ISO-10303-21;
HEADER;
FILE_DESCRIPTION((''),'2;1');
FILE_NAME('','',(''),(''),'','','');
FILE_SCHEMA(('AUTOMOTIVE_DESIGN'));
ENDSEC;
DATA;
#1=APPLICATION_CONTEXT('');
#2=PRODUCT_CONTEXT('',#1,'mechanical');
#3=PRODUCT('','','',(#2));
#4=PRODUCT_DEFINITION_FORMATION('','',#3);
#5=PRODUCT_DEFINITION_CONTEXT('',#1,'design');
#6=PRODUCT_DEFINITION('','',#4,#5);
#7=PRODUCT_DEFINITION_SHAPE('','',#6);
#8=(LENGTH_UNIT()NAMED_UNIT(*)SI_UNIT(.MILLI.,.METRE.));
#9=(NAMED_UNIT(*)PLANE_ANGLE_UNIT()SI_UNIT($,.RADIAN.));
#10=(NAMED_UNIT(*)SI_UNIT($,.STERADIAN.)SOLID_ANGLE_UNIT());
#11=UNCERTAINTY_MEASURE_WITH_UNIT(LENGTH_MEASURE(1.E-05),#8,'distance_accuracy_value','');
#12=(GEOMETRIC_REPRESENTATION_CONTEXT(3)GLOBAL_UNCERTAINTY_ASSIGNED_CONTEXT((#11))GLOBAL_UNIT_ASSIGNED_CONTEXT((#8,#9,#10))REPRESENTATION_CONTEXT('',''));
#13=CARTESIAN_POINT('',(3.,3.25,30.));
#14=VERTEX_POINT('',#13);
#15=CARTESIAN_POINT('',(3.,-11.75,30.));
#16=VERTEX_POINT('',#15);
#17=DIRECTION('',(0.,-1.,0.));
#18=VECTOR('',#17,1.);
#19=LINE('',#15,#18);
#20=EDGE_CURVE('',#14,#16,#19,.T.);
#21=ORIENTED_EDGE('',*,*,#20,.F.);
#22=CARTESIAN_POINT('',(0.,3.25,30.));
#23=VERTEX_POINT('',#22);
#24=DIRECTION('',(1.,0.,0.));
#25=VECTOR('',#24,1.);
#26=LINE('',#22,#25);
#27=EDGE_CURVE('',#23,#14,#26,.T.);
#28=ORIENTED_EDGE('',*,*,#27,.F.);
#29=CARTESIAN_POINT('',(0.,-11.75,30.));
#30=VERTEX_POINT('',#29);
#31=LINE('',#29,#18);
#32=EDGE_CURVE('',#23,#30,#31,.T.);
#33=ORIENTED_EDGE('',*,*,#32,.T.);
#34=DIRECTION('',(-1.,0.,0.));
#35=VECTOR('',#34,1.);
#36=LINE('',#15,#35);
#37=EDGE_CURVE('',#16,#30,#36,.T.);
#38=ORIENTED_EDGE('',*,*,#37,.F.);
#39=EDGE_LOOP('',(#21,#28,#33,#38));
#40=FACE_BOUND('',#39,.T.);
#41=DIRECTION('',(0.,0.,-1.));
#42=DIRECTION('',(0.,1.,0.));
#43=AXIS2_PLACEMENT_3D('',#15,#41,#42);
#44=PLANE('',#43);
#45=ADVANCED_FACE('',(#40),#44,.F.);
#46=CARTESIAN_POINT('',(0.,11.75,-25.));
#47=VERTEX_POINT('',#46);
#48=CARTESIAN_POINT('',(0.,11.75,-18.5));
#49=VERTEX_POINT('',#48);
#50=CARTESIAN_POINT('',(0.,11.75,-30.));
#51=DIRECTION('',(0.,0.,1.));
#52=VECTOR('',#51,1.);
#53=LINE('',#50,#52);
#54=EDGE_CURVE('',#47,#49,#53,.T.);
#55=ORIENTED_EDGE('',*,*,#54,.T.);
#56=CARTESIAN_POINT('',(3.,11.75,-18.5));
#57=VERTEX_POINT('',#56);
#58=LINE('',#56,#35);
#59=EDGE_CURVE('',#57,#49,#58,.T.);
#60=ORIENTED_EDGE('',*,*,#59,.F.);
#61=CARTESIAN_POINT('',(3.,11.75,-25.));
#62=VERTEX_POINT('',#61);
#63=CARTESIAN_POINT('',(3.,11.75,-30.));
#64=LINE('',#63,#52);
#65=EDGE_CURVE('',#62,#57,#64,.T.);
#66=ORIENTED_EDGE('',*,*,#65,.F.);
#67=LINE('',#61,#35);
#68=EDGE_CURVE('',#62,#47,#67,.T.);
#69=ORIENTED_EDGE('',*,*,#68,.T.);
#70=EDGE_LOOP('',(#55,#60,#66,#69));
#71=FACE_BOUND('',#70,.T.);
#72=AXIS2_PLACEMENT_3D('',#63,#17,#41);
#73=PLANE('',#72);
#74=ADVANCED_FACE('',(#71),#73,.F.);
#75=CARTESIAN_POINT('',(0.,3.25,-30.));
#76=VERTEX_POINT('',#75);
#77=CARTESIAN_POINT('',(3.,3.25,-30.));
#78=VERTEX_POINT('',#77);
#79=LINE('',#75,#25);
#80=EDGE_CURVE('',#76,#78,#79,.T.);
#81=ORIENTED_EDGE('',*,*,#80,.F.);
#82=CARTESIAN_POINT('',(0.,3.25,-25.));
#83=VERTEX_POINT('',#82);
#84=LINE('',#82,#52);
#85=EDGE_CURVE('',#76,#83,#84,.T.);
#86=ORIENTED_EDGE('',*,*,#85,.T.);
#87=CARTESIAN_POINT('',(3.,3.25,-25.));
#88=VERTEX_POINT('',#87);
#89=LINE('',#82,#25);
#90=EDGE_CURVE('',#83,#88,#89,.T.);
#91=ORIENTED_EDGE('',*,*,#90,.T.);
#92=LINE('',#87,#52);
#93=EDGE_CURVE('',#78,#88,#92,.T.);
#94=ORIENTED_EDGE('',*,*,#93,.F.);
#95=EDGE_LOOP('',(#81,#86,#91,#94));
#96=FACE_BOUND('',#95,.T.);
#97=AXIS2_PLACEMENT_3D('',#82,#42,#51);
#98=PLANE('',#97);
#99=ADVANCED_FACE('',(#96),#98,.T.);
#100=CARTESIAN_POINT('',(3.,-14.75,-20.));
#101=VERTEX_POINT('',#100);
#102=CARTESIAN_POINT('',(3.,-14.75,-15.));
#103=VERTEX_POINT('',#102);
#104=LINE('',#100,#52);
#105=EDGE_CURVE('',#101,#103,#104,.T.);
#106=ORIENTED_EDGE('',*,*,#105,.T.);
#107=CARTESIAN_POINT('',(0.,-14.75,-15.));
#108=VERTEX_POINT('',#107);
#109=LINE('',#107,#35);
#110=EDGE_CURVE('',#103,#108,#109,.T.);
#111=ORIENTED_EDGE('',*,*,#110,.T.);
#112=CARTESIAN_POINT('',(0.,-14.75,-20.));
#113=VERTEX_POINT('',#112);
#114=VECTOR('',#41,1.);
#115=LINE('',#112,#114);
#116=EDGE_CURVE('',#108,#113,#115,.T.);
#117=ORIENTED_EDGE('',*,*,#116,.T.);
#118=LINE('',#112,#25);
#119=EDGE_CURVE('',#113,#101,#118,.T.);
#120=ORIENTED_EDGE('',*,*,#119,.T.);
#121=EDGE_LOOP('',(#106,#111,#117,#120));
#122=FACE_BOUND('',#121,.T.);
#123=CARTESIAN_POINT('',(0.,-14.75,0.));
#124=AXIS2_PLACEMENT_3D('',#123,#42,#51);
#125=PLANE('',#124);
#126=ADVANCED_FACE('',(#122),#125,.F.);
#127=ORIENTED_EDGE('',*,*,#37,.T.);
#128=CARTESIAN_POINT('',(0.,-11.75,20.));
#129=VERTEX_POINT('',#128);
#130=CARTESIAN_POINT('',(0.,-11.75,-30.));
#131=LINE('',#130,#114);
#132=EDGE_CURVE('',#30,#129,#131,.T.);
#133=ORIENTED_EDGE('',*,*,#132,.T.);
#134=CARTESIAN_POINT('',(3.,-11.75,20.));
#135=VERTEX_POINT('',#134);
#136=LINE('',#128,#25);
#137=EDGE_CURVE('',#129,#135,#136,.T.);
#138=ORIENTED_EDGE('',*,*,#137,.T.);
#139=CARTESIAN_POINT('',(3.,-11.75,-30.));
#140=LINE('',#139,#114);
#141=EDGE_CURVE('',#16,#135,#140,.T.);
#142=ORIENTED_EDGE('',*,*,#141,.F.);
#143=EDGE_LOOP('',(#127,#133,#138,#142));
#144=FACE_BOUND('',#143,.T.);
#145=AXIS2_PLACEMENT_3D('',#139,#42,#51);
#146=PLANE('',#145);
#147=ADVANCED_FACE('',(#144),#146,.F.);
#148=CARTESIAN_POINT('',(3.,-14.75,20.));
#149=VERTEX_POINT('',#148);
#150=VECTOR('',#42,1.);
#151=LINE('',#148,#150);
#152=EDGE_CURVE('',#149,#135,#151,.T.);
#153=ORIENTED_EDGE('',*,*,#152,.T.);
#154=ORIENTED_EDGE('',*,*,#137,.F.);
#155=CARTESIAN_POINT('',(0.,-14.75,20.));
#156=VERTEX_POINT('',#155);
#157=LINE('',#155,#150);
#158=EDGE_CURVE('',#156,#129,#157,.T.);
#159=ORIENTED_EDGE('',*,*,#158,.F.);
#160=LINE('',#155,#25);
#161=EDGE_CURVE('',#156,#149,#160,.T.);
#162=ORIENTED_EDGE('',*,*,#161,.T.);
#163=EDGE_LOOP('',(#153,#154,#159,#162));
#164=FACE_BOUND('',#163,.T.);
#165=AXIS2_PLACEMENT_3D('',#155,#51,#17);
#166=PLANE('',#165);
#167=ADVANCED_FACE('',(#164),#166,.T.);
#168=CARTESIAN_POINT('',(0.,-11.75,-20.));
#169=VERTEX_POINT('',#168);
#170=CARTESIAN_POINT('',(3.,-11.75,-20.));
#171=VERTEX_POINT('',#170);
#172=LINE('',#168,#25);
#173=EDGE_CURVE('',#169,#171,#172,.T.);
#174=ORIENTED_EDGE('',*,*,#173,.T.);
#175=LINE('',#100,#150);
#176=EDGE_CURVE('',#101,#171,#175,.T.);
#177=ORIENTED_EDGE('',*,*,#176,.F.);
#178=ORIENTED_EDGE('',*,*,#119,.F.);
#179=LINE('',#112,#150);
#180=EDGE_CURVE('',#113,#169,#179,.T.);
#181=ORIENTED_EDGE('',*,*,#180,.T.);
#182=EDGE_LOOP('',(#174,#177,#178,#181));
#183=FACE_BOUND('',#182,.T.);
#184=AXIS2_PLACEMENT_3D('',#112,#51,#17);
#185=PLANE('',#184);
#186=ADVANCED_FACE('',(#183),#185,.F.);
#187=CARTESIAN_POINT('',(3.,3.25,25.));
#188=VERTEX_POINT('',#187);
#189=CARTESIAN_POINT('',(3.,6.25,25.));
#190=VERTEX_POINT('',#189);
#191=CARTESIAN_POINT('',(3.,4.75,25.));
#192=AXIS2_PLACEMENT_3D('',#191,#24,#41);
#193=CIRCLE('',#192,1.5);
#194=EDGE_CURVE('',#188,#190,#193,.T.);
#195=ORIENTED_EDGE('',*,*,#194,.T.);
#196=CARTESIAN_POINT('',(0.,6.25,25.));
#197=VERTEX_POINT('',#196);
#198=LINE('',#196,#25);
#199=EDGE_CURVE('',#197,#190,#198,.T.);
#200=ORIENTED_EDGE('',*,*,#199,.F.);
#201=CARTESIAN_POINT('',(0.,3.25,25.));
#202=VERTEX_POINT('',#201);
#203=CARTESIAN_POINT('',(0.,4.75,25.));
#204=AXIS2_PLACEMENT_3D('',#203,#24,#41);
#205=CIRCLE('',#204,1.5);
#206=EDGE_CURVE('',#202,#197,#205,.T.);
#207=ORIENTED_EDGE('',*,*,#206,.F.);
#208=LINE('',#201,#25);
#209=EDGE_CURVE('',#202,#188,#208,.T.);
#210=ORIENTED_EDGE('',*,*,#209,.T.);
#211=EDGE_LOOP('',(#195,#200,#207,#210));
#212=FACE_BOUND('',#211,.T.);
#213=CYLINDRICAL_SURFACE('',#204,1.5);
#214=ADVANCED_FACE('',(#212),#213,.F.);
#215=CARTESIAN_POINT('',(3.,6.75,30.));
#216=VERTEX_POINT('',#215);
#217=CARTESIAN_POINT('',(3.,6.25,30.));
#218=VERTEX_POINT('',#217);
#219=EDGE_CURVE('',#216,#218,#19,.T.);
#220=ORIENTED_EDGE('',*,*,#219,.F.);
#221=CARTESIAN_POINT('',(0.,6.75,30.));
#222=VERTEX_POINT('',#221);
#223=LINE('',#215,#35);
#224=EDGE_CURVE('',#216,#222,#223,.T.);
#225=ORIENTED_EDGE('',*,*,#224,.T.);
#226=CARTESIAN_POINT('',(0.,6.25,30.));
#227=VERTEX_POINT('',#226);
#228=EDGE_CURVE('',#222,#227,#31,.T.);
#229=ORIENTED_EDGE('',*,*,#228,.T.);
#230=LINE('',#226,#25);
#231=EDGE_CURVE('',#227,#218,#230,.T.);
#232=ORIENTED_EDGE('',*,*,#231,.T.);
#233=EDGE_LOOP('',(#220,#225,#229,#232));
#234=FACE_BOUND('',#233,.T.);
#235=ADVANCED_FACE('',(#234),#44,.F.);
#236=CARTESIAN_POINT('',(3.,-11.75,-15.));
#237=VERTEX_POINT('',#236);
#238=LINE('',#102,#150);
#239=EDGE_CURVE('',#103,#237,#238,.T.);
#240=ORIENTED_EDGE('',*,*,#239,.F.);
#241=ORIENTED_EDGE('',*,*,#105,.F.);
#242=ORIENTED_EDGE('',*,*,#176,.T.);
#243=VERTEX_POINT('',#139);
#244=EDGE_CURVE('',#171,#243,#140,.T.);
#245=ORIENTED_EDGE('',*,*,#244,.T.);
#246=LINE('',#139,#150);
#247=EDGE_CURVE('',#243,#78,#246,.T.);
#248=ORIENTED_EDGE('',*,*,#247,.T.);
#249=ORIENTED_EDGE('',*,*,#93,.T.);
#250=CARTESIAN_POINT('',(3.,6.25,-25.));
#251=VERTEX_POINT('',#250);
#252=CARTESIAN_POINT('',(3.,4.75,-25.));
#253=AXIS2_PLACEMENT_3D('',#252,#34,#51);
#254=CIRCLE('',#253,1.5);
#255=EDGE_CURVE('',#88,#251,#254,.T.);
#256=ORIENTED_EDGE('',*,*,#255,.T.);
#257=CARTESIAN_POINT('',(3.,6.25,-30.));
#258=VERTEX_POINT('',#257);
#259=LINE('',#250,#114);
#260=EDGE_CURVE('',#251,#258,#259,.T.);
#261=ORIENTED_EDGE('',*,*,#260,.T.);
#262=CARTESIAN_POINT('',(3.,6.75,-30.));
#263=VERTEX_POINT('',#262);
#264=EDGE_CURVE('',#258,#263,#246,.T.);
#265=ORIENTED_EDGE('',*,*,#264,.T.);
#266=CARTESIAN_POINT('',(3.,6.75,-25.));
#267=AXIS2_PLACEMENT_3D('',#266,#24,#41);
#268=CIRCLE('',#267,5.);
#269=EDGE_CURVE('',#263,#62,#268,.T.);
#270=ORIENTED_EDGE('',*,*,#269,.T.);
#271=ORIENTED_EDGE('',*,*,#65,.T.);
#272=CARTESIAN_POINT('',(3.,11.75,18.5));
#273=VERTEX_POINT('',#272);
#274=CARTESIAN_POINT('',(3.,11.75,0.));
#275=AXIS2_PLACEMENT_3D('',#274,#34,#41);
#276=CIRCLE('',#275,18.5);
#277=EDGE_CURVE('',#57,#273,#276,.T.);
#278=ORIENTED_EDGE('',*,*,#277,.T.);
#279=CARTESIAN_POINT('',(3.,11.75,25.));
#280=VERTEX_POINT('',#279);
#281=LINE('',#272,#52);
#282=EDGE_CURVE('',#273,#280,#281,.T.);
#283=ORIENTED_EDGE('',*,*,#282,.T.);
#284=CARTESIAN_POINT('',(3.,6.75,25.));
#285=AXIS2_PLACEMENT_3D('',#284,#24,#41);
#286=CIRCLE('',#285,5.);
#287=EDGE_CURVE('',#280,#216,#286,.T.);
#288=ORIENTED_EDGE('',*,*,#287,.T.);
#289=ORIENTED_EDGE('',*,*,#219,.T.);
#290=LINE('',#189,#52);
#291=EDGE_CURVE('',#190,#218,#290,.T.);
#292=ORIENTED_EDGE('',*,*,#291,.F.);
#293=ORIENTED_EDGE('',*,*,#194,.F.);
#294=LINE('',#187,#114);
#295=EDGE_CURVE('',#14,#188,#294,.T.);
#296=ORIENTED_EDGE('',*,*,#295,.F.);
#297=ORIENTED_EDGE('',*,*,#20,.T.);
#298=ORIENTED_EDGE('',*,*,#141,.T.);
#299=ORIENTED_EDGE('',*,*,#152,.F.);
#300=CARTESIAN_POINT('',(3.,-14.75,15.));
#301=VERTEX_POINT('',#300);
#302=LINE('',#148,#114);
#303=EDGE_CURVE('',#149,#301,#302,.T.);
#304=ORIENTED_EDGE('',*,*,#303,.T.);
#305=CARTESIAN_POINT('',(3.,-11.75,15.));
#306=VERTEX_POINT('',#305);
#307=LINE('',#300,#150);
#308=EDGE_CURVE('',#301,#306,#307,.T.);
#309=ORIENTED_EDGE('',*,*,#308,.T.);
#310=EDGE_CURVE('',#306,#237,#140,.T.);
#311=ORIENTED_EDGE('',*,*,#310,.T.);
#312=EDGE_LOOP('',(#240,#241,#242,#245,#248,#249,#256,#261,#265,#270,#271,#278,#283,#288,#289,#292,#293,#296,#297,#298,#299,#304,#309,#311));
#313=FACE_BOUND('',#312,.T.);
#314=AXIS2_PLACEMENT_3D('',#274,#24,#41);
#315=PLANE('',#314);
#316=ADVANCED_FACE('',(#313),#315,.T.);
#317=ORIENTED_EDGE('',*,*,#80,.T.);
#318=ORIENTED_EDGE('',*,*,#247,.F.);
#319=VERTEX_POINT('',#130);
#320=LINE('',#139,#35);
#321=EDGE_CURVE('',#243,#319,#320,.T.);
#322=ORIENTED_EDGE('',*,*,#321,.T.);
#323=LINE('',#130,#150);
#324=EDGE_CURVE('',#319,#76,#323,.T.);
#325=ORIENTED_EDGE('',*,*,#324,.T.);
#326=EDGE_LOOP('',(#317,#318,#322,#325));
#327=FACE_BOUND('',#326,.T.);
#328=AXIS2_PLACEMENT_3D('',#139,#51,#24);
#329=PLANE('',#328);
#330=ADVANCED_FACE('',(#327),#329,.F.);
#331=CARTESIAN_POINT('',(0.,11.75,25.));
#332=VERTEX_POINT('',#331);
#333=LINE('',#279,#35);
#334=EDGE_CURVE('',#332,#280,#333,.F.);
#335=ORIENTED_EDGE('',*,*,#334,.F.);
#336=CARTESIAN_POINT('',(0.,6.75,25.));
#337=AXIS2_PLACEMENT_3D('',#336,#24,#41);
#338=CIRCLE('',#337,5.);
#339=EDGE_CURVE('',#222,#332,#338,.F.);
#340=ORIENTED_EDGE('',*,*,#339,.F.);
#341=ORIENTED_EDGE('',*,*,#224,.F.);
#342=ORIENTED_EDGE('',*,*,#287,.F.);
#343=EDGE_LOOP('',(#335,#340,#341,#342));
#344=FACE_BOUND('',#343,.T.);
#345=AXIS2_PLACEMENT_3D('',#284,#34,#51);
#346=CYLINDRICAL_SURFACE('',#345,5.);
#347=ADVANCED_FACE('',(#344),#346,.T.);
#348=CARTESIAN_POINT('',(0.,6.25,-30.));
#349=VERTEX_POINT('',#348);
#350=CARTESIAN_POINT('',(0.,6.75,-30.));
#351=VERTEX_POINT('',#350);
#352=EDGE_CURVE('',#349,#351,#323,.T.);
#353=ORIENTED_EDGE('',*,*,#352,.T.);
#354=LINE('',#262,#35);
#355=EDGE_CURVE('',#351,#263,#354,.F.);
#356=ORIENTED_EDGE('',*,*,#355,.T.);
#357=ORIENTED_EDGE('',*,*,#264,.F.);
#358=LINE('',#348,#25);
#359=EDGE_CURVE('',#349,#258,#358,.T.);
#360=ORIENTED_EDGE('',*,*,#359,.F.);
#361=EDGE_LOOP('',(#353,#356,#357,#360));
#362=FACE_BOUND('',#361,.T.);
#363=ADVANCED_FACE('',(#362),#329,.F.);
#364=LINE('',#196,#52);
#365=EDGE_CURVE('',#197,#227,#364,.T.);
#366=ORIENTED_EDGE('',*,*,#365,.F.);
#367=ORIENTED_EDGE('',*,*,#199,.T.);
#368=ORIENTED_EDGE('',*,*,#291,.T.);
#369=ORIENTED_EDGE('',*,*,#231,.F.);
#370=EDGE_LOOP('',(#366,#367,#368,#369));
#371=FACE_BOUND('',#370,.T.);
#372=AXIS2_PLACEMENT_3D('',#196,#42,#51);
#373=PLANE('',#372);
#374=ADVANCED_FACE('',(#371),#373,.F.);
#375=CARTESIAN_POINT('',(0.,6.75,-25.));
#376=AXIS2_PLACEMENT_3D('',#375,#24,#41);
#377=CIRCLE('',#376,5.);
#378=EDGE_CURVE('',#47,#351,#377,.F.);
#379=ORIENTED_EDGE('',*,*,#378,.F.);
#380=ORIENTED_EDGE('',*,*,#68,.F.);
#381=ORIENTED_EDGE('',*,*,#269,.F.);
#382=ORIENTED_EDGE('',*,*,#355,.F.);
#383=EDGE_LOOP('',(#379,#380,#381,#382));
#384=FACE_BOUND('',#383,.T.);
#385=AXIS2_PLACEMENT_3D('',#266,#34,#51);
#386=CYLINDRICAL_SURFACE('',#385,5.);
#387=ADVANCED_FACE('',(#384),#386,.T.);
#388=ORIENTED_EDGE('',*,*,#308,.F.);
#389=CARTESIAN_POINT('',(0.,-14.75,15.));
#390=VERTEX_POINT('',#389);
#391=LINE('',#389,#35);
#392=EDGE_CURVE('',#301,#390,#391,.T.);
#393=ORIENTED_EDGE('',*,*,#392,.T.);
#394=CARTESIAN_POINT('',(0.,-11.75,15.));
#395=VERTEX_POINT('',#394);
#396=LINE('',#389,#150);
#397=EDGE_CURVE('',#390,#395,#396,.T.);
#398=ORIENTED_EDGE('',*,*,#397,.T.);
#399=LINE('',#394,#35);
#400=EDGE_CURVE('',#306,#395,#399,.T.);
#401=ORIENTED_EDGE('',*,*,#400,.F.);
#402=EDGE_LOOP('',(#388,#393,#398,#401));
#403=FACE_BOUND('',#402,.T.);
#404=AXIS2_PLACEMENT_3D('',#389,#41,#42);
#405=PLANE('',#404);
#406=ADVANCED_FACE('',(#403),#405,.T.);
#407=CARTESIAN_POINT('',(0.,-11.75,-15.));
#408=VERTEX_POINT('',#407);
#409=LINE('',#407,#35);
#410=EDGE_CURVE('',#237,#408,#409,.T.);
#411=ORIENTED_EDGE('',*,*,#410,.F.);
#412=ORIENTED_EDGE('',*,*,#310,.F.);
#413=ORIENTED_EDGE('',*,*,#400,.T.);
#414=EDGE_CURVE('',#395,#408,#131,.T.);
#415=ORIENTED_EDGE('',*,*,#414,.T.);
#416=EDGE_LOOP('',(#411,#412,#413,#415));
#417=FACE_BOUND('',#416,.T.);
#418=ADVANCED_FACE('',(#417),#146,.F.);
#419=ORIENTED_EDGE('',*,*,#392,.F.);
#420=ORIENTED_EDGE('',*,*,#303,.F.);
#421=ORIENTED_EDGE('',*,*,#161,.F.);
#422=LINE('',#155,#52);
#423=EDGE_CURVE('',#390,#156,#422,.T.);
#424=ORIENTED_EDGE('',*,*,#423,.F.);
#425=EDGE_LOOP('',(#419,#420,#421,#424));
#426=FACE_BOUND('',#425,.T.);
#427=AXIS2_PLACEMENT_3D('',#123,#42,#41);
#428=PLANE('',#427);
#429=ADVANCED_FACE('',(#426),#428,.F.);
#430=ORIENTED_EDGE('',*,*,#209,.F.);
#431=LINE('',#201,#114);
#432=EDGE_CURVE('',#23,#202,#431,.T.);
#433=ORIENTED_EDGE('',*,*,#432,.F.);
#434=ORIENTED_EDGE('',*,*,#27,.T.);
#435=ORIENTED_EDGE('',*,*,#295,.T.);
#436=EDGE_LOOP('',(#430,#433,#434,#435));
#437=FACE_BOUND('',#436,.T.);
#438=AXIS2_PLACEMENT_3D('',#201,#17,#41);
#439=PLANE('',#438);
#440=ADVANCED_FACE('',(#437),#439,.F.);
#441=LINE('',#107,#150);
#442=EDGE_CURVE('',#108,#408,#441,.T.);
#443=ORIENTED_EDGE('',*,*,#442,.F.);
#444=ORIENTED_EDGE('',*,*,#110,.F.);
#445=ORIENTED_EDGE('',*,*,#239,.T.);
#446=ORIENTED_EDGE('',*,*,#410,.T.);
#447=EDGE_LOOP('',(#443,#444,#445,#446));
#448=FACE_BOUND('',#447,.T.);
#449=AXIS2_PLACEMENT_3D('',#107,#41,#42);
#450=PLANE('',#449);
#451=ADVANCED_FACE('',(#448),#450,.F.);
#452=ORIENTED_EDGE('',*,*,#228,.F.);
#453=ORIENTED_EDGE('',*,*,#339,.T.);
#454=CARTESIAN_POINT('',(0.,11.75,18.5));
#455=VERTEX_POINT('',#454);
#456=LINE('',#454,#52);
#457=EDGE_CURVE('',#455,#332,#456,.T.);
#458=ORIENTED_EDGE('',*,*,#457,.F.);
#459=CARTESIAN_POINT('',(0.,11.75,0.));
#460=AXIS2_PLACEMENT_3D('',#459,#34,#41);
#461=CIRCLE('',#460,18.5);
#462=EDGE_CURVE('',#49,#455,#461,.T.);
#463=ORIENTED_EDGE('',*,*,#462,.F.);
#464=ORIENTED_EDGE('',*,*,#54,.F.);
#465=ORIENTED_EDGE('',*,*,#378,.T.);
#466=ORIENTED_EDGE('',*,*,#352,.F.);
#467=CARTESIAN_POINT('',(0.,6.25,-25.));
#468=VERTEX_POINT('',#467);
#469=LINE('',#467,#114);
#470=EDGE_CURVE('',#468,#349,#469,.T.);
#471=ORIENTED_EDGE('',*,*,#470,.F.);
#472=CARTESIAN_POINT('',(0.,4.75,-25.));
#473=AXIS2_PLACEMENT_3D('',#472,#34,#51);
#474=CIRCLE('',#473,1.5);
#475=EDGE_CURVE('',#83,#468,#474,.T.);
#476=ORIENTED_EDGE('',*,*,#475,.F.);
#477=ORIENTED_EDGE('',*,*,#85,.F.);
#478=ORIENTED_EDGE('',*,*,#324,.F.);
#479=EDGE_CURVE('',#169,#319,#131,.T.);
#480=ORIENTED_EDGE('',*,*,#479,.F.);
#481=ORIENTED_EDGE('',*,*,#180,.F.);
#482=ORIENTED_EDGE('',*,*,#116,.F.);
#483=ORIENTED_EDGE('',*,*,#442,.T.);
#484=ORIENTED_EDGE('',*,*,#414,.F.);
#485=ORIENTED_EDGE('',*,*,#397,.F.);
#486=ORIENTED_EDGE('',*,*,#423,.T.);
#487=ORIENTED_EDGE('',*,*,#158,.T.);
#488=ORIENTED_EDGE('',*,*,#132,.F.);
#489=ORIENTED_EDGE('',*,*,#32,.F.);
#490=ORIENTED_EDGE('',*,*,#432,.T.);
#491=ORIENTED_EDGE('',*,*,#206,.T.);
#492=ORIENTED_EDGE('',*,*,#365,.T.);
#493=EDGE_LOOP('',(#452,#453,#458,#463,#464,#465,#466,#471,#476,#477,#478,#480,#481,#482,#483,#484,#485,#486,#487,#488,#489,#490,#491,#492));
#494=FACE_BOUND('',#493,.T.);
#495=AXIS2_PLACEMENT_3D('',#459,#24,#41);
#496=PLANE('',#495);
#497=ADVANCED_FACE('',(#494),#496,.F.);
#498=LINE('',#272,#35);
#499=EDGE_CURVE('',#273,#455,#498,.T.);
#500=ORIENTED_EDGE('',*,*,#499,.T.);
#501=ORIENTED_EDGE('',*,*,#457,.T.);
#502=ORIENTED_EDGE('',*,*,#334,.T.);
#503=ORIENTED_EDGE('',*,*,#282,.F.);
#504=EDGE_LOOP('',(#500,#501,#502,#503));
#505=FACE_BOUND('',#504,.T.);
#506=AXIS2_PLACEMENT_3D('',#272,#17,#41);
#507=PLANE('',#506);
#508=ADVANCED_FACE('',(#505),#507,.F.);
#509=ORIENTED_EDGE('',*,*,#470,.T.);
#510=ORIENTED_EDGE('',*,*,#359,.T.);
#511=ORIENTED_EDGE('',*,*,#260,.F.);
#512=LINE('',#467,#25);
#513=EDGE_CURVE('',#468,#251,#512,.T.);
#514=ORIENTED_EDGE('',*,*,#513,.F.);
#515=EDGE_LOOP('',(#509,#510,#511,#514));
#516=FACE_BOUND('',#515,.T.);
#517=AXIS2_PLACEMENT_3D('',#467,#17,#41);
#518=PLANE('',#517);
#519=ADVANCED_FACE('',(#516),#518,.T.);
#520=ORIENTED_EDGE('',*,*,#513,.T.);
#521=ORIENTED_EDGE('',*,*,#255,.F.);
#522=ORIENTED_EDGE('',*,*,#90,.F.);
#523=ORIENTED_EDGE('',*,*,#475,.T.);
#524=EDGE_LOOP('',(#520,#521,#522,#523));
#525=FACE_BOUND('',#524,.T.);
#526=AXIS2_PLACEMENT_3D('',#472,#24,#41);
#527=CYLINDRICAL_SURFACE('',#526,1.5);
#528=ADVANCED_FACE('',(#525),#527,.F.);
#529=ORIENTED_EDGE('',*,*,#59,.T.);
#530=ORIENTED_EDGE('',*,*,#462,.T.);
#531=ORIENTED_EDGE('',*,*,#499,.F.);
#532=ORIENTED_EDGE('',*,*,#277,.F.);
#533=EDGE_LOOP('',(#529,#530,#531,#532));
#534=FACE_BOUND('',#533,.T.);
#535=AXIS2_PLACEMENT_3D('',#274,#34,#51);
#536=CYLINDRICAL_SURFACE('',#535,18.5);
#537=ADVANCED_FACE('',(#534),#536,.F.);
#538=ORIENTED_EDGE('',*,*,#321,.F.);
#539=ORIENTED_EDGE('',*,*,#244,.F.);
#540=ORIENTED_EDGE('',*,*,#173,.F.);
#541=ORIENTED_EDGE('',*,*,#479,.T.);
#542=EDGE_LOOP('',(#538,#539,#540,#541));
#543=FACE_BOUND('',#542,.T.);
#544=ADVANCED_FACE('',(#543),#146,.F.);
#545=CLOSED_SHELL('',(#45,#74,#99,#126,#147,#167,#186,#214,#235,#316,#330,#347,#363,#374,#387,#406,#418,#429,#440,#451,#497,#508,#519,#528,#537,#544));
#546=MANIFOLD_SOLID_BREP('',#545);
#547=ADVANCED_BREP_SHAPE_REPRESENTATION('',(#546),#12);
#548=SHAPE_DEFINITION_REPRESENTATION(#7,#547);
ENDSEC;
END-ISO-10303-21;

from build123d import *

# Parameters (mm, degrees)
BOSS_EXTRUDE1_DEPTH = 3
CUT_EXTRUDE2_DEPTH  = 4
FILLET2_R           = 5
SKETCH3_W           = 3
SKETCH3_H           = 5
BOSS_EXTRUDE2_DEPTH = 3


with BuildPart() as part:
    # Sketch1 → Boss-Extrude1 (new body)
    with BuildSketch(Plane(origin=(0, 0, 0), x_dir=(0, 0, -1), z_dir=(1, 0, 0))):
        with BuildLine():
            Line((-18.5, 11.75), (-30, 11.75))
            Line((-30, 11.75), (-30, -11.75))
            Line((-30, -11.75), (30, -11.75))
            Line((30, -11.75), (30, 11.75))
            Line((30, 11.75), (18.5, 11.75))
            ThreePointArc((18.5, 11.75), (0, -6.75), (-18.5, 11.75))
        make_face()
    extrude(amount=BOSS_EXTRUDE1_DEPTH)

    # Sketch2 → Cut-Extrude2 (cut, through all)
    with BuildSketch(Plane(origin=(3, 0, 0), x_dir=(0, 0, -1), z_dir=(1, 0, 0))):
        with BuildLine():
            Line((-25, 6.25), (-30, 6.25))
            Line((-30, 6.25), (-30, 3.25))
            Line((-30, 3.25), (-25, 3.25))
            ThreePointArc((-25, 3.25), (-23.5, 4.75), (-25, 6.25))
        make_face()
    cut_extrude2 = extrude(amount=-CUT_EXTRUDE2_DEPTH, mode=Mode.SUBTRACT)

    # Mirror2: Cut-Extrude2 across plane
    add(cut_extrude2.mirror(Plane.XY), mode=Mode.SUBTRACT)

    # Fillet2
    fillet2_edges = [part.edges().sort_by_distance(p)[0] for p in [
        (1.5, 11.75, 30),
        (1.5, 11.75, -30),
    ]]
    fillet(fillet2_edges, radius=FILLET2_R)

    # Sketch3 → Boss-Extrude2 (add)
    with BuildSketch(Plane.XZ.offset(11.75)):
        with Locations((1.5, -17.5)):
            Rectangle(SKETCH3_W, SKETCH3_H)
    boss_extrude2 = extrude(amount=BOSS_EXTRUDE2_DEPTH)

    # Mirror3: Boss-Extrude2 across plane
    add(boss_extrude2.mirror(Plane.XY))


solid = part.part
